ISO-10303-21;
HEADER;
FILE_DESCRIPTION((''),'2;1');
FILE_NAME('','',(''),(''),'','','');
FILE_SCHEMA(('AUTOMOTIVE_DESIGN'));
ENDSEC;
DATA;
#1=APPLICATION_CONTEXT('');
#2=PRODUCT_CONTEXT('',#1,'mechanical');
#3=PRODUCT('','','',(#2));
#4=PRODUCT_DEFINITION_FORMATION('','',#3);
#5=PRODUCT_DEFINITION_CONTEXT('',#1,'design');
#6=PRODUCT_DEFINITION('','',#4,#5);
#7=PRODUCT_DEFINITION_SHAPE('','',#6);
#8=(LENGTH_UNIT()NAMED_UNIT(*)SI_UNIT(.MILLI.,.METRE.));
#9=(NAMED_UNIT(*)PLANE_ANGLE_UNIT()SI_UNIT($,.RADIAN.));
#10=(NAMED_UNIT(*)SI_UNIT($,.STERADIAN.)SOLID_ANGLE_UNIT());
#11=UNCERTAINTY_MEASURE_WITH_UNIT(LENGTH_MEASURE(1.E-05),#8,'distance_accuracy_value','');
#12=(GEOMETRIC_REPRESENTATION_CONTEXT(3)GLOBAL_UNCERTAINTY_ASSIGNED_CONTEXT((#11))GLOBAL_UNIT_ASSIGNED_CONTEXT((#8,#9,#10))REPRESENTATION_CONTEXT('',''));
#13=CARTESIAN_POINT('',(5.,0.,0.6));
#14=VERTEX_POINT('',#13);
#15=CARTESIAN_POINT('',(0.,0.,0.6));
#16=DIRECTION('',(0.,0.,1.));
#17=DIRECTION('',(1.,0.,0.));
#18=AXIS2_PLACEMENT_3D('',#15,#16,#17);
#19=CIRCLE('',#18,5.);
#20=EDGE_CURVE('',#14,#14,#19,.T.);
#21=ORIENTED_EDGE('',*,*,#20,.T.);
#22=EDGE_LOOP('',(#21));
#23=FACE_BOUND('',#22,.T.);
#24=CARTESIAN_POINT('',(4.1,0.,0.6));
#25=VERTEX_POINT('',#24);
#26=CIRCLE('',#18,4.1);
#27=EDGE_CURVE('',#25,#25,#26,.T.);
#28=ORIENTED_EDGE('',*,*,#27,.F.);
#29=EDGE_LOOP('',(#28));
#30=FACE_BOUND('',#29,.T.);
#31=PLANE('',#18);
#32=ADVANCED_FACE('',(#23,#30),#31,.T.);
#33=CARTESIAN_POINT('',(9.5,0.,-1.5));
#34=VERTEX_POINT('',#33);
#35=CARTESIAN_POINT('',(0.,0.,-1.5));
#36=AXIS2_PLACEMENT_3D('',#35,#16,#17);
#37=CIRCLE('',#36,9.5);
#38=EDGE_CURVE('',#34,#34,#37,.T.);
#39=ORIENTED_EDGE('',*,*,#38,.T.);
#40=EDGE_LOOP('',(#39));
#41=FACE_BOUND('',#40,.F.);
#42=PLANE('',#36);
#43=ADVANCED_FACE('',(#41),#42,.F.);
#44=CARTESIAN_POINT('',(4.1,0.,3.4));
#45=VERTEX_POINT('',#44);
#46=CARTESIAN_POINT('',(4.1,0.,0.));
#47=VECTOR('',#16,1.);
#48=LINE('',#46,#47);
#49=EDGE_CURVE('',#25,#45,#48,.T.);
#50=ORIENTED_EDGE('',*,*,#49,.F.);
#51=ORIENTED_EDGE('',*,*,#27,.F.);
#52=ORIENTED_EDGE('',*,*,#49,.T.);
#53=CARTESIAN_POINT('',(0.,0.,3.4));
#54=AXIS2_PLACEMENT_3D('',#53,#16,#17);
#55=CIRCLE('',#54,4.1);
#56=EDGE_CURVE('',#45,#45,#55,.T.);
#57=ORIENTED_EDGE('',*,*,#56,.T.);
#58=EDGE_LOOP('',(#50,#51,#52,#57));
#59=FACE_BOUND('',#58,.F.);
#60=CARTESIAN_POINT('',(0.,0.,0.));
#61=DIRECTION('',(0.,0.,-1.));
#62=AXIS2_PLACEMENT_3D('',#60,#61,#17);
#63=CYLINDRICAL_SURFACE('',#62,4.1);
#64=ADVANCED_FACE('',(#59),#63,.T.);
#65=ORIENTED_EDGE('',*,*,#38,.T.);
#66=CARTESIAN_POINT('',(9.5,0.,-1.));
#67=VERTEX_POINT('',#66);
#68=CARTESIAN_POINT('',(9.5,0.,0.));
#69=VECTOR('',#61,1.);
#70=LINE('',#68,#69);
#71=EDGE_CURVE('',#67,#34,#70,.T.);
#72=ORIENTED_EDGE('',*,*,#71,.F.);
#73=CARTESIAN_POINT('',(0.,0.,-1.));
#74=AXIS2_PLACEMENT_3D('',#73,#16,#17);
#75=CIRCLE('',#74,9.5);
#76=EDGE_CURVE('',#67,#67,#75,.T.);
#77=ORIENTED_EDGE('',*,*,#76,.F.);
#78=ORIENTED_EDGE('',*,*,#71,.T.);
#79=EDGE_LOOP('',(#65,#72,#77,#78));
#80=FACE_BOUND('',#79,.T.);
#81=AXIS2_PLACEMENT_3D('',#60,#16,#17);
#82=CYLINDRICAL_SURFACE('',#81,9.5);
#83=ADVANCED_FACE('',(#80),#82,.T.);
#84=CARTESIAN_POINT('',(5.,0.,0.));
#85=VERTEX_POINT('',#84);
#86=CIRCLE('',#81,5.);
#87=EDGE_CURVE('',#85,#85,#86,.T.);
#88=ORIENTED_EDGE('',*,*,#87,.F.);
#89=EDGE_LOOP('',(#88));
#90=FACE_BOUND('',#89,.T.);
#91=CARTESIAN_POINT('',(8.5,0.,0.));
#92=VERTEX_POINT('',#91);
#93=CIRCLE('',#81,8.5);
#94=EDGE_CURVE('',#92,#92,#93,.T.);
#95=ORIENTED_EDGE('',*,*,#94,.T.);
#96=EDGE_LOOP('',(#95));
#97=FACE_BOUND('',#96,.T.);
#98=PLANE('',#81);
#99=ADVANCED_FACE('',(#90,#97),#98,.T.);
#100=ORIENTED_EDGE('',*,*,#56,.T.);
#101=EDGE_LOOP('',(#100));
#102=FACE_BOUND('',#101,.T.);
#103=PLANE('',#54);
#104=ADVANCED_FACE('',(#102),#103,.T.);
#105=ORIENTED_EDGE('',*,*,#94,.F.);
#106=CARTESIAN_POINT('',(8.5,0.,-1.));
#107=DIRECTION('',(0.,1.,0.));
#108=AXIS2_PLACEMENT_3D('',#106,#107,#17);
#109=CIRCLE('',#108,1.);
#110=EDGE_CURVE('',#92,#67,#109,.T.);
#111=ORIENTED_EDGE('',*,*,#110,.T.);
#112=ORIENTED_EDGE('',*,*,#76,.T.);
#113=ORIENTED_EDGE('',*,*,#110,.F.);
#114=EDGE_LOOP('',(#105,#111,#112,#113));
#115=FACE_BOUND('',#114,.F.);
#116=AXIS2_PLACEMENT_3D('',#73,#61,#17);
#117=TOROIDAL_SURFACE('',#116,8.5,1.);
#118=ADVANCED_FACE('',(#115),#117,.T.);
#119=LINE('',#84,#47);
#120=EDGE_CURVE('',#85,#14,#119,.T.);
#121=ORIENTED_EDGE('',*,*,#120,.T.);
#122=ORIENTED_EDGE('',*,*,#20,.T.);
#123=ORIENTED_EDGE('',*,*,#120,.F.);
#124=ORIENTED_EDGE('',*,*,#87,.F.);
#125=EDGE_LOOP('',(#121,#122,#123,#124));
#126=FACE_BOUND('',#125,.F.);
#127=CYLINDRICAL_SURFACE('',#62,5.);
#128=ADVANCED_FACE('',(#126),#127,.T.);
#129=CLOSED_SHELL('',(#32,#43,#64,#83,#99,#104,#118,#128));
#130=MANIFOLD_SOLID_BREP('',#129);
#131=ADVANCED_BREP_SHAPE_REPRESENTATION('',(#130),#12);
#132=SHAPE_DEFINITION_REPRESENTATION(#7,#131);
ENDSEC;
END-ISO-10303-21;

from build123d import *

# Parameters (mm, degrees)
F0_R     = 9.5
F0_R_2   = 5
F0_R_3   = 4.1
F1_DEPTH = 1.5
F2_DEPTH = 3.4
F3_DEPTH = 0.6
F4_R     = 1


with BuildPart() as f1:
    # F0 (on Top) → F1 (new body)
    with BuildSketch(Plane.XY):
        Circle(F0_R)
        Circle(F0_R_2, mode=Mode.SUBTRACT)
        Circle(F0_R_2)
        Circle(F0_R_3, mode=Mode.SUBTRACT)
        Circle(F0_R_3)
    extrude(amount=-F1_DEPTH)

    # F0 (on Top) → F2 (join)
    with BuildSketch(Plane.XY):
        Circle(F0_R_3)
    extrude(amount=F2_DEPTH)

    # F0 (on Top) → F3 (join)
    with BuildSketch(Plane.XY):
        Circle(F0_R_2)
        Circle(F0_R_3, mode=Mode.SUBTRACT)
    extrude(amount=F3_DEPTH)

    # F4
    f4_edges = [f1.edges().sort_by_distance(p)[0] for p in [
        (-9.5, 0, 0),
    ]]
    fillet(f4_edges, radius=F4_R)


solid = f1.part
